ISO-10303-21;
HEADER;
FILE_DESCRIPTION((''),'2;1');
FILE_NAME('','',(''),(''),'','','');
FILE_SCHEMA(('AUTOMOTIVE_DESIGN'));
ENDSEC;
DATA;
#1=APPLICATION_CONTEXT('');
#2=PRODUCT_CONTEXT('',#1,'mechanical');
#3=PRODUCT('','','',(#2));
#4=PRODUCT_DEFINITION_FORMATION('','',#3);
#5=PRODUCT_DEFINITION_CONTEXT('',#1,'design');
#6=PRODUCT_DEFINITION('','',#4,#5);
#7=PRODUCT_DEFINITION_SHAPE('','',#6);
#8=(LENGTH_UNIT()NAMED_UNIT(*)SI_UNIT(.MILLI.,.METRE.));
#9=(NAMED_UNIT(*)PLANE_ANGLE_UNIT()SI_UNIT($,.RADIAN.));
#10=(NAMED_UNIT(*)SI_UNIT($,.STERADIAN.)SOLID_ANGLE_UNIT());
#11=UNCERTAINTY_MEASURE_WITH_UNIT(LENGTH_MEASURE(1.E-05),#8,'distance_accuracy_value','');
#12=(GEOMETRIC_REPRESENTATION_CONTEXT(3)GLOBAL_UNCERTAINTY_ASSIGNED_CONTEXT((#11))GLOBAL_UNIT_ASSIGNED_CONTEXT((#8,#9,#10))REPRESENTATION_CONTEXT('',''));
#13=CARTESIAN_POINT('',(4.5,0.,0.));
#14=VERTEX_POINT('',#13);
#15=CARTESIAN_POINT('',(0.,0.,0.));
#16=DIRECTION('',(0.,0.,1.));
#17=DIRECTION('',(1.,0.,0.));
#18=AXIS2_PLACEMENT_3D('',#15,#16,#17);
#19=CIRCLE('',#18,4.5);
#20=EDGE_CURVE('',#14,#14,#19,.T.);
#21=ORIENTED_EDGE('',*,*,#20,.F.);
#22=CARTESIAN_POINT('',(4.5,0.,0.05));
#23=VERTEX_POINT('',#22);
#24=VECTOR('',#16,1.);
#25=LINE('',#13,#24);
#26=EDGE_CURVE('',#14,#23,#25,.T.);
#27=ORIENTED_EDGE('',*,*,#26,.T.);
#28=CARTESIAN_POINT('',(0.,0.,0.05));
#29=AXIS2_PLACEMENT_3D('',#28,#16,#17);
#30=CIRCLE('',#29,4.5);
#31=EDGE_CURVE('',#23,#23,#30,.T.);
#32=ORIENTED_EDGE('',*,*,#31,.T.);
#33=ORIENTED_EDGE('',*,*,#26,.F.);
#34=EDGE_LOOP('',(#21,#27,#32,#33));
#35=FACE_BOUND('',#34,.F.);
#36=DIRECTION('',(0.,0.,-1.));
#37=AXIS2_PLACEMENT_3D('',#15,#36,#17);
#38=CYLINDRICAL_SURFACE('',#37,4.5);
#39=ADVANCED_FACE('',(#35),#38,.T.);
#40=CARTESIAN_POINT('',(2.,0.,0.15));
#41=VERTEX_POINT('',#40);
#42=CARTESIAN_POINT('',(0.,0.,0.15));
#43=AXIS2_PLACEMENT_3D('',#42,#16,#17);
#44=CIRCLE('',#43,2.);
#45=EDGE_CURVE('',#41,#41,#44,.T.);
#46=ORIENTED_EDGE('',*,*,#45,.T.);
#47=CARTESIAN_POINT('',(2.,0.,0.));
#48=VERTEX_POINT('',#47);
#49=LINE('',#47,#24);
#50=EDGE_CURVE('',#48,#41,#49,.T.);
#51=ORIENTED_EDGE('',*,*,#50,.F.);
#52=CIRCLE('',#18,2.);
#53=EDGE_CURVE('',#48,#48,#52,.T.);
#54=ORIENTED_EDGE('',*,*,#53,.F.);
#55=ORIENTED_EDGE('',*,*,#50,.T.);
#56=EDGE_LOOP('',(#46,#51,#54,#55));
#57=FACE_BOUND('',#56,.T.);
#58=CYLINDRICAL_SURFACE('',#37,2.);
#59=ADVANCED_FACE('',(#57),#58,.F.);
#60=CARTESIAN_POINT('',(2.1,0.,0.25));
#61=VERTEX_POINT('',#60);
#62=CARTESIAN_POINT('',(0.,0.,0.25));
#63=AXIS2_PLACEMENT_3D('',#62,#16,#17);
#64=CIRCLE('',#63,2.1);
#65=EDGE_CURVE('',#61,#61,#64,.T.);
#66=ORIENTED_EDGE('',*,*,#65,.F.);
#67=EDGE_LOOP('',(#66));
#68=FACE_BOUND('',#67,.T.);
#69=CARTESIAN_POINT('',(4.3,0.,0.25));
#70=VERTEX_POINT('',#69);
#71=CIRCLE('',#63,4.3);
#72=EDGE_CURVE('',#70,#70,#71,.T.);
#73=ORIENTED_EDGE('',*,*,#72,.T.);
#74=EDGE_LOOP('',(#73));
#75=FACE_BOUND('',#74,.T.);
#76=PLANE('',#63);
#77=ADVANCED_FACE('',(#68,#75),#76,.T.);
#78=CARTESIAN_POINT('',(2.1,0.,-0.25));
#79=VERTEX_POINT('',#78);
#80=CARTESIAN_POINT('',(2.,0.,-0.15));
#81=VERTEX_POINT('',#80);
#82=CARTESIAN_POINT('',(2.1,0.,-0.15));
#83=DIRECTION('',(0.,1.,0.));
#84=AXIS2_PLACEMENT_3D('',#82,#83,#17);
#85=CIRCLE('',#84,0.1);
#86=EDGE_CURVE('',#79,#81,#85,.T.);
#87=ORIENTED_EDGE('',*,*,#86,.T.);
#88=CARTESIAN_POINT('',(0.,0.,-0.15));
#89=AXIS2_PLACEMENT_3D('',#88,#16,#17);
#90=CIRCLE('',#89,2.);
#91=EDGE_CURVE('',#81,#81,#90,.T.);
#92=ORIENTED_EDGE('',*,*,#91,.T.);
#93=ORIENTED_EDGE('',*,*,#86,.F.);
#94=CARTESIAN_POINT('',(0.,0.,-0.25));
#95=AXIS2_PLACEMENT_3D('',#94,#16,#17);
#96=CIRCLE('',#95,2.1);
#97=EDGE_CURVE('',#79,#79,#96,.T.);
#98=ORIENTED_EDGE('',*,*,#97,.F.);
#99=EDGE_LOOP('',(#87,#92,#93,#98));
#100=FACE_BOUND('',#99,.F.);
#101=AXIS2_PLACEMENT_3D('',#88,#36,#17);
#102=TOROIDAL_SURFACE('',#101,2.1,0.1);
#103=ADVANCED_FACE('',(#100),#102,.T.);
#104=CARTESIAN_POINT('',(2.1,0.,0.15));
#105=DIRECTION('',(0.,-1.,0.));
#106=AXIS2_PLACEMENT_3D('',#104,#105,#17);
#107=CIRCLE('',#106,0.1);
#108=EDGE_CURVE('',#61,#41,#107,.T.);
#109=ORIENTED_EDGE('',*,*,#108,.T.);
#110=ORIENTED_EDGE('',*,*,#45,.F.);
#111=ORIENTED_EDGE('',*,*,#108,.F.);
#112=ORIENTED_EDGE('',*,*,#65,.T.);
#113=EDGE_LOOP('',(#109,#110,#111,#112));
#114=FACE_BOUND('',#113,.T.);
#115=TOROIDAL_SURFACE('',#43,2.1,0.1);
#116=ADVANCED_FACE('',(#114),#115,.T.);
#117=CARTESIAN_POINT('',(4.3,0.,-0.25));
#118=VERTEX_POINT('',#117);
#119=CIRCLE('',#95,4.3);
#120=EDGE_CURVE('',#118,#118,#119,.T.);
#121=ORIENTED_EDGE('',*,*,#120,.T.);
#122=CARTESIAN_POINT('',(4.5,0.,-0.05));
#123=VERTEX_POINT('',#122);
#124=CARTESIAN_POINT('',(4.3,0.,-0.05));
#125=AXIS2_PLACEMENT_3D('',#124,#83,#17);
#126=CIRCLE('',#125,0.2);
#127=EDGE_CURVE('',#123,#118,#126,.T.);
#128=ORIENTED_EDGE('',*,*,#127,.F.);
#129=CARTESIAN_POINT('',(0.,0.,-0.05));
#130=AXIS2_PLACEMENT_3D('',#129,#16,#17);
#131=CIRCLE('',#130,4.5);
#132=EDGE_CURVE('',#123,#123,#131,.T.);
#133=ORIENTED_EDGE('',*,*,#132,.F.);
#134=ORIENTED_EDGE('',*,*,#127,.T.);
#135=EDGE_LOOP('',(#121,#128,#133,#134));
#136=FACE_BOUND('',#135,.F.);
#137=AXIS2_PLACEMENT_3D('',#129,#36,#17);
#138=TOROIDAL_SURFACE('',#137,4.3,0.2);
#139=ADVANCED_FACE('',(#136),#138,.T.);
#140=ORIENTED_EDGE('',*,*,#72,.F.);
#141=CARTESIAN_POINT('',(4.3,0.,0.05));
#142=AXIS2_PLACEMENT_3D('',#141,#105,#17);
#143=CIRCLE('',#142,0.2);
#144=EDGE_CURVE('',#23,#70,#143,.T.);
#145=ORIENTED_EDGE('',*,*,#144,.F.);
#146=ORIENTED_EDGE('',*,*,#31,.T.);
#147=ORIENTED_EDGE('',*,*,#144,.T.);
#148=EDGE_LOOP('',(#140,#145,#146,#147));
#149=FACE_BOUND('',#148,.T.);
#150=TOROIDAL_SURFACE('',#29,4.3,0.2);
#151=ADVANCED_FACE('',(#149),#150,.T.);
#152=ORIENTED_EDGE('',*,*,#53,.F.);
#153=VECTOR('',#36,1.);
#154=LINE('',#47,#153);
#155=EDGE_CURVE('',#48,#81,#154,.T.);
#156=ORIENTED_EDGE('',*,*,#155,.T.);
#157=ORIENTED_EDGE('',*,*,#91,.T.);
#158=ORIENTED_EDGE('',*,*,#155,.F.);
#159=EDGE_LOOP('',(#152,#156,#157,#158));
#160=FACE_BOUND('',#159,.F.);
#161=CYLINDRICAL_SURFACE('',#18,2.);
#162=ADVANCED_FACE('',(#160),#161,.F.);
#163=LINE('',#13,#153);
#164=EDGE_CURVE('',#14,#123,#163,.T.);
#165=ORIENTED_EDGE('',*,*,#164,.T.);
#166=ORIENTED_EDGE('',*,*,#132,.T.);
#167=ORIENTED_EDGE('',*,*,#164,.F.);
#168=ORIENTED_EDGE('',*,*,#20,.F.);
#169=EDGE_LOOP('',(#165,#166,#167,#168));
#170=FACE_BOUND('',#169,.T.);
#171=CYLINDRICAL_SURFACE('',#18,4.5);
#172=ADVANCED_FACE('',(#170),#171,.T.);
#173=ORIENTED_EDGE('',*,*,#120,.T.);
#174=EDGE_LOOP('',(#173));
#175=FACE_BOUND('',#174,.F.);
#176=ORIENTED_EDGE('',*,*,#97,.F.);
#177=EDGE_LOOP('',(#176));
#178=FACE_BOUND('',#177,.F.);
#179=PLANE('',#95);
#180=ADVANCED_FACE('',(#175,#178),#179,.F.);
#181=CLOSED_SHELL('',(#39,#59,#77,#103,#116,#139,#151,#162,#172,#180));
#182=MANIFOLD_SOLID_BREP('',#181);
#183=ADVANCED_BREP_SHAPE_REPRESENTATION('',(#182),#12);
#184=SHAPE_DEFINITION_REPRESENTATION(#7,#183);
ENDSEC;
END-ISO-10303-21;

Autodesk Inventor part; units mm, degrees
ref_plane "YZ Plane" through (0, 0, 0) normal (1, 0, 0) x (0, 1, 0)
ref_plane "XZ Plane" through (0, 0, 0) normal (0, 1, 0) x (-1, 0, 0)
ref_plane "XY Plane" through (0, 0, 0) normal (0, 0, 1) x (1, 0, 0)
sketch "Sketch1" plane through (0, 0, 0) normal (0, 0, 1) x (1, 0, 0)
  circle A0 centre (0, 0) radius 2
  circle A1 centre (0, 0) radius 4.5
  dimension "Di" = 4
  dimension "D" = 9
extrude "Extrusion1" add sketch "Sketch1" along normal mid plane 0.5
fillet "Fillet1" radius 0.2 2 edges at (-4.5, 0, 0.25) (-4.5, 0, -0.25)
fillet "Fillet2" radius 0.1 2 edges at (-2, 0, 0.25) (-2, 0, -0.25)
properties part number "Anilha_M4"
